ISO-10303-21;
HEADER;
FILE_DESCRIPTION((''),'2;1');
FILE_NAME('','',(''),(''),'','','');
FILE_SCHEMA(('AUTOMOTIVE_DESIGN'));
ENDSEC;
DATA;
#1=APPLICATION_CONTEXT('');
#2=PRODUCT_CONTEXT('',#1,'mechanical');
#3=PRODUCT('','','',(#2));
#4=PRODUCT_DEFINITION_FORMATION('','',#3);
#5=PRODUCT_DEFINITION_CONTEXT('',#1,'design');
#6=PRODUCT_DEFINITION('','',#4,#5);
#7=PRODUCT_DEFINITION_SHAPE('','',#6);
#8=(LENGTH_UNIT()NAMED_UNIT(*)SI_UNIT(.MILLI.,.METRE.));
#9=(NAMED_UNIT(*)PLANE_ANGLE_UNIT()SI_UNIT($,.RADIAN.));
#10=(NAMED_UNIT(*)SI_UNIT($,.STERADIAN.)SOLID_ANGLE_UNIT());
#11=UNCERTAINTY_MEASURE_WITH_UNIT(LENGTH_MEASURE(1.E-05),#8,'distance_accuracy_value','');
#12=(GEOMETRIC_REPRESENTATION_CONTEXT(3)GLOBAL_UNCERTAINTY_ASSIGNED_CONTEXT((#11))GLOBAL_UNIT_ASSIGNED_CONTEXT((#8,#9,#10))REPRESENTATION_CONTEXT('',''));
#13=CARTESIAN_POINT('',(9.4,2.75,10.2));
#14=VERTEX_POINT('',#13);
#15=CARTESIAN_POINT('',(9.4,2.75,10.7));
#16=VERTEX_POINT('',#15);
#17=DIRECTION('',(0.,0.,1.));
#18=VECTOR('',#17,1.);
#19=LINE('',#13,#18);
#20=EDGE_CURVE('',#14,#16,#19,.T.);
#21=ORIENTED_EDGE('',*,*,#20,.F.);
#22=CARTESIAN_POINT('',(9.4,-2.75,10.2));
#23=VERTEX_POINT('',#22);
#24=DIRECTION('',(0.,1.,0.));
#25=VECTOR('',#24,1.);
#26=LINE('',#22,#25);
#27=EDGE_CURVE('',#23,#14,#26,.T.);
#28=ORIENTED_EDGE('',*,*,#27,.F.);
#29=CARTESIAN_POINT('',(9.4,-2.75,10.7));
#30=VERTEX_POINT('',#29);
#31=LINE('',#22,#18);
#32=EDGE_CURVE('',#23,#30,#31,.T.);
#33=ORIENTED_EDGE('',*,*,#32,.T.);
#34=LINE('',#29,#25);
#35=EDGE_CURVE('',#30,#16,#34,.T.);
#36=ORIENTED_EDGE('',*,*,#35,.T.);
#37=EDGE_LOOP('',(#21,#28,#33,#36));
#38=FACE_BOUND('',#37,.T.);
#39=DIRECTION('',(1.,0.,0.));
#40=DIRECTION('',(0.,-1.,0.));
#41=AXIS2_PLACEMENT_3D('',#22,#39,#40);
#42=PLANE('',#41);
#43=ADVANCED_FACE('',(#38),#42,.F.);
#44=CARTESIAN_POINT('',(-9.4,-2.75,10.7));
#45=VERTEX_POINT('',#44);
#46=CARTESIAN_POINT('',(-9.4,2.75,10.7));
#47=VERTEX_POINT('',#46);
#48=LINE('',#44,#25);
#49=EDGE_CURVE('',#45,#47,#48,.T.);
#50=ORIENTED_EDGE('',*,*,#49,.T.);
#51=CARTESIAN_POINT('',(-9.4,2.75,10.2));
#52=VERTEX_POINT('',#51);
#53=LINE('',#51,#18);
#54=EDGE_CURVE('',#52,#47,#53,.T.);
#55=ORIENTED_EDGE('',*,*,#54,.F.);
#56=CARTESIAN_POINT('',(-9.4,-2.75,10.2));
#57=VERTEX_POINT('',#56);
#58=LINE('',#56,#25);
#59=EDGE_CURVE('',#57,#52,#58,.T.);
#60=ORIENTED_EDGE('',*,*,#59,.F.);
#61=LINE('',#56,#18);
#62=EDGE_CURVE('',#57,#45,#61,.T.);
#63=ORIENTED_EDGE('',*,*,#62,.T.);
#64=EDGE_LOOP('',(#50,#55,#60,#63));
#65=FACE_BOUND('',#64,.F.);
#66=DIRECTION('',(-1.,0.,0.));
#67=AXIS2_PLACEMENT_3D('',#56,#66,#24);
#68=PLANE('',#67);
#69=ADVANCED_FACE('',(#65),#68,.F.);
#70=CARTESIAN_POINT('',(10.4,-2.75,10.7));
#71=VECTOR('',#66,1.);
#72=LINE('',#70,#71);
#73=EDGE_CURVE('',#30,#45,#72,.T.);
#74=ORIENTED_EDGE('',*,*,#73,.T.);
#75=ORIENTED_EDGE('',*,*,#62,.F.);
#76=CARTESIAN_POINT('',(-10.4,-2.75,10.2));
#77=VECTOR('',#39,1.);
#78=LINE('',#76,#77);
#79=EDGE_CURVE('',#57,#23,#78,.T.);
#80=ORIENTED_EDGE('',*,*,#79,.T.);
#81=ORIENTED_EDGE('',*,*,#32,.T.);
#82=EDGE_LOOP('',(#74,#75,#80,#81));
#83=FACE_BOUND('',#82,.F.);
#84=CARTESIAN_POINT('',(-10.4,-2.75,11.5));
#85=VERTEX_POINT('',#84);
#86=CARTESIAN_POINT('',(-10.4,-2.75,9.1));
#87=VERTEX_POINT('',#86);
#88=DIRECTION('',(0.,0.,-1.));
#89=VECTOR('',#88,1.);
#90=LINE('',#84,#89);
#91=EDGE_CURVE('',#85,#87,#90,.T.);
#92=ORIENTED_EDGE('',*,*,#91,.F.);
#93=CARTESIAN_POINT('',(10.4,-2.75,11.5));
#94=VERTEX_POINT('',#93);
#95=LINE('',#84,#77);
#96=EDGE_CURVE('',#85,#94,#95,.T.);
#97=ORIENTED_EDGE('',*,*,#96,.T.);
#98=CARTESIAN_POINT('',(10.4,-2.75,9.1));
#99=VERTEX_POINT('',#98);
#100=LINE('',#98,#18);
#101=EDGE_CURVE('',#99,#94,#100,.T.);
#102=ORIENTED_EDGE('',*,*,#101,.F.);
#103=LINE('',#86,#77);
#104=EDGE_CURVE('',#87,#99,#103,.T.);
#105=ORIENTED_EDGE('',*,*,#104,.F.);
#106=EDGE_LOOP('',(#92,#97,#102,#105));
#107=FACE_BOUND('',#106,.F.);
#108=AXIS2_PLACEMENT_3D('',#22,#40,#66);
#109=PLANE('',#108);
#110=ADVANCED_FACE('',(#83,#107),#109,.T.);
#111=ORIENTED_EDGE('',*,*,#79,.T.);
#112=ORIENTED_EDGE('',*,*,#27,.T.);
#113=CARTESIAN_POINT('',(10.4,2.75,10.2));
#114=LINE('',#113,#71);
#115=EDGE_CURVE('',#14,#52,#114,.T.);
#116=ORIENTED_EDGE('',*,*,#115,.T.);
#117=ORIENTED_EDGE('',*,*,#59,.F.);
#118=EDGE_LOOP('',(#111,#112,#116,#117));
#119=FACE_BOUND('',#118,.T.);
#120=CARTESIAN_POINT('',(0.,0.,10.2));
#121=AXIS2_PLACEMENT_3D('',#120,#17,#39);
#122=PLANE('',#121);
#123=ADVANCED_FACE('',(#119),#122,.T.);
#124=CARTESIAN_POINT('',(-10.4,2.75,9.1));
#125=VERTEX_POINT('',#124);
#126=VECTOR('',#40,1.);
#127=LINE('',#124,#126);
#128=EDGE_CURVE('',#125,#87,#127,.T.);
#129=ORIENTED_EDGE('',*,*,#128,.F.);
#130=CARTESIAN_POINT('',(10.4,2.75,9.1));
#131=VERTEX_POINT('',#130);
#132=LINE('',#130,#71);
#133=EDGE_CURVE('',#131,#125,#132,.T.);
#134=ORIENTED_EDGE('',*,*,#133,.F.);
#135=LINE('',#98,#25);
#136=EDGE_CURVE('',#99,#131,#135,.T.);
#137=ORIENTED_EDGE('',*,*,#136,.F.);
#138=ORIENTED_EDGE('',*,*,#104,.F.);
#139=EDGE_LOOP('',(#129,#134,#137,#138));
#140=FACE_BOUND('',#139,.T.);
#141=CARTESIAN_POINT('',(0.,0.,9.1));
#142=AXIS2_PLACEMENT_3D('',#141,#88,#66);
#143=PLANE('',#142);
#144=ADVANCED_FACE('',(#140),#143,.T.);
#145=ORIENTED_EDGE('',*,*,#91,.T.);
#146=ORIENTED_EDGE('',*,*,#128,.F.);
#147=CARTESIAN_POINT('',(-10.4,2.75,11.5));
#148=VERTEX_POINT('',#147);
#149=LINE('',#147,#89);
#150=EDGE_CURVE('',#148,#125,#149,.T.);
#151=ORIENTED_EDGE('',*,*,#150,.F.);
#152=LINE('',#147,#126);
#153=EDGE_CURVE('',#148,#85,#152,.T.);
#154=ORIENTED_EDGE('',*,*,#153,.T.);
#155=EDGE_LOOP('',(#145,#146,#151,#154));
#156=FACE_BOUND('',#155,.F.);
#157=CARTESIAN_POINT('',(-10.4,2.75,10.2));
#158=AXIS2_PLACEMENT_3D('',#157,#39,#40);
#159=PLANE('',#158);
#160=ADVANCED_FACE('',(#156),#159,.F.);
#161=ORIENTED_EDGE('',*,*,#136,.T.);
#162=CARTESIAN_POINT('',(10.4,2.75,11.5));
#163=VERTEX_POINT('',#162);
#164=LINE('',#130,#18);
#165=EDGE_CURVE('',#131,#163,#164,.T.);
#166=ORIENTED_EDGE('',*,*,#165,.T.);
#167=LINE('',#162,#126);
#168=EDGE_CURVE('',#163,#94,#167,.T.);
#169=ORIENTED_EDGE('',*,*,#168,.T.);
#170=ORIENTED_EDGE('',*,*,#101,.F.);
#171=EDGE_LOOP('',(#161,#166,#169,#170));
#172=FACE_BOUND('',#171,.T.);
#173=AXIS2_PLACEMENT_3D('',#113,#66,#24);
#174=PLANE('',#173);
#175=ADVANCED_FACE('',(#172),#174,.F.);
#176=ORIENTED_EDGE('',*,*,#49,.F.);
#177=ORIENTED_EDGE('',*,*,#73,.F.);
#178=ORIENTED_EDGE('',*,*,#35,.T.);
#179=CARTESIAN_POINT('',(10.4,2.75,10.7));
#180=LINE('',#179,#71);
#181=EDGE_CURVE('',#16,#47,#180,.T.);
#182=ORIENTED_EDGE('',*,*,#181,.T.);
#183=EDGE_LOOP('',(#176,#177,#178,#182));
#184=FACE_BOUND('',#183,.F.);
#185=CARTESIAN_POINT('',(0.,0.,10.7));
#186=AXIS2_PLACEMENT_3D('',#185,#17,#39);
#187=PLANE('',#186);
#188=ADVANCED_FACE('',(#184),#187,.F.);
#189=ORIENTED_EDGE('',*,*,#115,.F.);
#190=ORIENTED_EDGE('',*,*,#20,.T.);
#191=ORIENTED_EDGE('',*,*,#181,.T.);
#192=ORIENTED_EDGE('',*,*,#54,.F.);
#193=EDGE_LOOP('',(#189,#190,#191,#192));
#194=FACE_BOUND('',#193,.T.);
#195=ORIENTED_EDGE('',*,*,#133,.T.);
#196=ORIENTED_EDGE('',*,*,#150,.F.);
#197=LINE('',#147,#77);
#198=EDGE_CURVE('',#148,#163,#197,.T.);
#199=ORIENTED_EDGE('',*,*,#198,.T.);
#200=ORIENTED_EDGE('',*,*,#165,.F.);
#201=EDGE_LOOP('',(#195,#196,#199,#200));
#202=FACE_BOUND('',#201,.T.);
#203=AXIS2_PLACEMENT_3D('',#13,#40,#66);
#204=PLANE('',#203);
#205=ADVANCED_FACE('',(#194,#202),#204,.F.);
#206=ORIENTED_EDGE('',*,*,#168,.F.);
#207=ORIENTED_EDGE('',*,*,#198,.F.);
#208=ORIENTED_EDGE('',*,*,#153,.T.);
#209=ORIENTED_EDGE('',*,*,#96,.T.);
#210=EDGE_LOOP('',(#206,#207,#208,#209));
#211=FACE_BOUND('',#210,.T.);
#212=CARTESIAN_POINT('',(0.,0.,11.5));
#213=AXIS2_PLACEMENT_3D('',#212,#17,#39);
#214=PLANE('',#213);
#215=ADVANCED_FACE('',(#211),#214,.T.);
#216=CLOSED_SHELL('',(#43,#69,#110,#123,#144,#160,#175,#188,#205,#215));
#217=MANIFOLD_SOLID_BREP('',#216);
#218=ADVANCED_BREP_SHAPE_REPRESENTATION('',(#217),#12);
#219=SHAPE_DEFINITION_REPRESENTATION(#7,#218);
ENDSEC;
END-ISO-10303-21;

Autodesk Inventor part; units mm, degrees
ref_plane "YZ Plane" through (0, 0, 0) normal (1, 0, 0) x (0, 1, 0)
ref_plane "XZ Plane" through (0, 0, 0) normal (0, 1, 0) x (-1, 0, 0)
sketch "Sketch1" plane through (0, 0, 0) normal (0, 0, 1) x (1, 0, 0)
  line L0 (-10.4, -2.75) -> (10.4, -2.75)
  line L1 (10.4, -2.75) -> (10.4, 2.75)
  line L2 (10.4, 2.75) -> (-10.4, 2.75)
  line L3 (-10.4, 2.75) -> (-10.4, -2.75)
  point P0 (0, 0)
  dimension "d268" = 5.5
  dimension "d269" = 2.75
  dimension "d270" = 20.8
  dimension "d271" = 10.4
extrude "Extrusion1" add sketch "Sketch1" along normal blind 10.2
sketch "Sketch2" plane through (-6.98, -2.75, 0) normal (0, -1, 0) x (1, 0, 0)
  line L0 (0, 0) -> (13.96, 0) projected
  line L1 (5.18, 3.6) -> (8.78, 3.6)
  line L2 (8.78, 3.6) -> (8.78, 0.5)
  line L3 (8.28, 0) -> (5.68, 0)
  line L4 (5.18, 0.5) -> (5.18, 3.6)
  line L5 (5.18, 0.5) -> (5.68, 0)
  line L6 (8.78, 0.5) -> (8.28, 0)
  point P0 (6.98, 0)
  dimension "d15" = 3.6
  dimension "d17" = 0.5
  dimension "d19" = 135
  dimension "d20" = 135
  dimension "d21" = 0.5
  dimension "d22" = 3.6
extrude "Extrusion2" [suppressed]
sketch "Sketch3" plane through (0, 0, 0) normal (0, 1, 0) x (-1, 0, 0)
  line L0 (-6.98, 3.6) -> (-7.23, 3.6)
  line L1 (-7.98, 2.1) -> (-7.98, 1.22)
  line L2 (-7.98, 1.22) -> (-6.98, 1.22)
  line L3 (-6.98, 1.22) -> (-6.98, 3.6)
  line L4 (6.98, 10.2) -> (-6.98, 10.2) projected
  line L5 (0, 10.2) -> (0, 0)
  line L6 (-6.98, 0) -> (6.98, 0) projected
  line L7 (-7.23, 3.6) -> (-7.98, 2.1)
  line L8 (6.98, 3.6) -> (7.23, 3.6)
  line L9 (7.98, 2.1) -> (7.98, 1.22)
  line L10 (7.98, 1.22) -> (6.98, 1.22)
  line L11 (6.98, 1.22) -> (6.98, 3.6)
  line L12 (7.23, 3.6) -> (7.98, 2.1)
  dimension "d25" = 13.96
  dimension "d26" = 1.22
  dimension "d28" = 1
  dimension "d29" = 1.5
  dimension "d30" = 0.88
  dimension "d31" = 0.25
extrude "Extrusion3" [suppressed]
sketch "Sketch4" plane through (0, -0.5, 0) normal (0, -1, 0) x (1, 0, 0)
  line L0 (6.98, 3.6) -> (7.23, 3.6) projected
  line L1 (6.98, 6.263) -> (7.23, 6.263)
  line L2 (7.98, 5.513) -> (7.98, 5.263)
  line L3 (7.98, 5.263) -> (6.98, 5.263)
  line L4 (6.98, 5.263) -> (6.98, 6.263)
  line L5 (-6.98, 10.2) -> (6.98, 10.2) projected
  line L6 (6.98, 0) -> (-6.98, 0) projected
  line L7 (0, 10.2) -> (0, 0)
  line L8 (7.23, 6.263) -> (7.98, 5.513)
  line L9 (-6.98, 6.263) -> (-7.23, 6.263)
  line L10 (-7.98, 5.513) -> (-7.98, 5.263)
  line L11 (-7.98, 5.263) -> (-6.98, 5.263)
  line L12 (-6.98, 5.263) -> (-6.98, 6.263)
  line L13 (-7.23, 6.263) -> (-7.98, 5.513)
  dimension "d34" = 1.663
  dimension "d35" = 13.96
  dimension "d36" = 1
  dimension "d38" = 0.25
  dimension "d39" = 1
  dimension "d40" = 0.25
extrude "Extrusion4" [suppressed]
sketch "Sketch5" plane through (0, 0.5, 0) normal (0, 1, 0) x (1, 0, 0)
  line L0 (7.23, -3.6) -> (6.98, -3.6) projected
  line L1 (7.23, -6.263) -> (6.98, -6.263)
  line L2 (6.98, -6.263) -> (6.98, -5.263)
  line L3 (6.98, -5.263) -> (7.98, -5.263)
  line L4 (7.98, -5.263) -> (7.98, -5.513)
  line L5 (6.98, -10.2) -> (-6.98, -10.2) projected
  line L6 (1.3, 0) -> (-1.3, 0) projected
  line L7 (0, 0) -> (0, -10.2)
  line L8 (7.23, -6.263) -> (7.98, -5.513)
  line L9 (-7.23, -6.263) -> (-6.98, -6.263)
  line L10 (-6.98, -6.263) -> (-6.98, -5.263)
  line L11 (-6.98, -5.263) -> (-7.98, -5.263)
  line L12 (-7.98, -5.263) -> (-7.98, -5.513)
  line L13 (-7.23, -6.263) -> (-7.98, -5.513)
  dimension "d43" = 1.663
  dimension "d44" = 13.96
  dimension "d45" = 1
  dimension "d46" = 1
  dimension "d47" = 0.25
  dimension "d48" = 0.25
extrude "Extrusion5" [suppressed]
sketch "Sketch6" plane through (-6.98, -2.75, 10.2) normal (0, -1, 0) x (1, 0, 0)
  line L0 (0, -10.2) -> (5.68, -10.2) projected
  line L1 (-38.97, -10.2) -> (-36.97, -6.7359)
  line L2 (-36.97, -6.7359) -> (-34.97, -10.2)
  line L3 (-38.97, -10.2) -> (-34.97, -10.2)
  line L4 (0.5, -10.2) -> (2.5, -6.7359)
  line L5 (2.5, -6.7359) -> (4.5, -10.2)
  line L6 (0.5, -10.2) -> (4.5, -10.2)
  dimension "d61" = 0.5
  dimension "d62" = 4
extrude "Extrusion6" [suppressed]
sketch "Sketch7" plane through (0, 0, 0) normal (0, 0, -1) x (-1, 0, 0)
  line L0 (6.98, 2.75) -> (6.98, -1.25) projected
  line L1 (4.705, 1.645) -> (5.455, 1.645)
  line L2 (5.455, 1.645) -> (5.455, 0.895)
  line L3 (5.455, 0.895) -> (4.705, 0.895)
  line L4 (4.705, 0.895) -> (4.705, 1.645)
  line L5 (4.705, -0.895) -> (5.455, -0.895)
  line L6 (5.455, -0.895) -> (5.455, -1.645)
  line L7 (5.455, -1.645) -> (4.705, -1.645)
  line L8 (4.705, -1.645) -> (4.705, -0.895)
  line L9 (5.08, 0.895) -> (5.08, -0.895) construction
  point P0 (0, 0)
  point P1 (5.08, 0)
  dimension "d65" = 0.75
  dimension "d66" = 2.54
  dimension "d67" = 1.525
extrude "Extrusion7" [suppressed]
chamfer "Chamfer1" [suppressed]
pattern_linear "Rectangular Pattern1" [suppressed]
ref_plane "Work Plane1" through (0, 0, 10.7) normal (0, 0, 1) x (1, 0, 0)
sketch "Sketch8" plane through (0, 0, 10.7) normal (0, 0, 1) x (1, 0, 0)
  line L0 (-6.98, 2.75) -> (6.98, 2.75) projected
  line L1 (-6.98, -2.75) -> (-6.98, 2.75) projected
  line L2 (6.98, -2.75) -> (-6.98, -2.75) projected
  line L3 (6.98, 2.75) -> (6.98, -2.75) projected
  line L4 (-7.11, 0) -> (-42.9538, 0)
  line L5 (-10.4, -2.75) -> (-10.4, 2.75) projected
  line L6 (10.4, -2.75) -> (-10.4, -2.75) projected
  line L7 (10.4, 2.75) -> (10.4, -2.75) projected
  line L8 (-10.4, 2.75) -> (10.4, 2.75) projected
  line L9 (10.4, 2.75) -> (-10.4, 2.75) projected
  line L10 (10.4, -2.75) -> (-10.4, -2.75)
  line L11 (-10.4, -2.75) -> (-10.4, 2.75)
  line L12 (-10.4, 2.75) -> (10.4, 2.75)
  line L13 (10.4, 2.75) -> (10.4, -2.75)
extrude "Extrusion20" add sketch "Sketch8" along normal blind 0.8
sketch "Sketch22" plane through (0, 0, 0) normal (0, 0, -1) x (-1, 0, 0)
  line L0 (-7.99, -3) -> (-8.665, -3) projected
  line L1 (8.665, 2.75) -> (-8.665, 2.75) projected
  line L2 (-8.665, -3) -> (8.665, -3)
  line L3 (8.665, -3) -> (8.665, 2.75)
  line L4 (8.665, 2.75) -> (-8.665, 2.75)
  line L5 (-8.665, 2.75) -> (-8.665, -3)
  point P0 (0, 0)
extrude "Extrusion17" [suppressed]
sketch "Sketch25" plane through (0, 0, 0) normal (0, 0, -1) x (-1, 0, 0)
  line L0 (10.4, -2.75) -> (-10.4, -2.75) projected
  line L1 (10.4, 2.75) -> (10.4, -2.75) projected
  line L2 (-10.4, 2.75) -> (10.4, 2.75) projected
  line L3 (-10.4, -2.75) -> (-10.4, 2.75) projected
  line L4 (10.4, -2.75) -> (-10.4, -2.75)
  line L5 (-10.4, -2.75) -> (-10.4, 2.75)
  line L6 (-10.4, 2.75) -> (10.4, 2.75)
  line L7 (10.4, 2.75) -> (10.4, -2.75)
  point P0 (0, 0)
extrude "Extrusion21" cut sketch "Sketch25" against normal blind 9.1
sketch "Sketch26" plane through (0, 0, 10.2) normal (0, 0, 1) x (1, 0, 0)
  line L0 (10.4, -2.75) -> (-10.4, -2.75) projected
  line L1 (10.4, 2.75) -> (-10.4, 2.75) projected
  line L2 (-10.4, -2.75) -> (-9.4, -2.75)
  line L3 (-9.4, -2.75) -> (-9.4, 2.75)
  line L4 (-9.4, 2.75) -> (-10.4, 2.75)
  line L5 (-10.4, 2.75) -> (-10.4, -2.75)
  point P0 (0, 0)
  dimension "d276" = 1
extrude "Extrusion22" add sketch "Sketch26" along normal blind 0.5
mirror "Mirror1" about plane through (0, 0, 0) normal (1, 0, 0) of "Extrusion22"
equation "\"DimA\" = 13.96"
equation "\"DimB\" = 17.33"
equation "\"DimC\" = 5.715"
properties part number "RC CON_10CKT"
